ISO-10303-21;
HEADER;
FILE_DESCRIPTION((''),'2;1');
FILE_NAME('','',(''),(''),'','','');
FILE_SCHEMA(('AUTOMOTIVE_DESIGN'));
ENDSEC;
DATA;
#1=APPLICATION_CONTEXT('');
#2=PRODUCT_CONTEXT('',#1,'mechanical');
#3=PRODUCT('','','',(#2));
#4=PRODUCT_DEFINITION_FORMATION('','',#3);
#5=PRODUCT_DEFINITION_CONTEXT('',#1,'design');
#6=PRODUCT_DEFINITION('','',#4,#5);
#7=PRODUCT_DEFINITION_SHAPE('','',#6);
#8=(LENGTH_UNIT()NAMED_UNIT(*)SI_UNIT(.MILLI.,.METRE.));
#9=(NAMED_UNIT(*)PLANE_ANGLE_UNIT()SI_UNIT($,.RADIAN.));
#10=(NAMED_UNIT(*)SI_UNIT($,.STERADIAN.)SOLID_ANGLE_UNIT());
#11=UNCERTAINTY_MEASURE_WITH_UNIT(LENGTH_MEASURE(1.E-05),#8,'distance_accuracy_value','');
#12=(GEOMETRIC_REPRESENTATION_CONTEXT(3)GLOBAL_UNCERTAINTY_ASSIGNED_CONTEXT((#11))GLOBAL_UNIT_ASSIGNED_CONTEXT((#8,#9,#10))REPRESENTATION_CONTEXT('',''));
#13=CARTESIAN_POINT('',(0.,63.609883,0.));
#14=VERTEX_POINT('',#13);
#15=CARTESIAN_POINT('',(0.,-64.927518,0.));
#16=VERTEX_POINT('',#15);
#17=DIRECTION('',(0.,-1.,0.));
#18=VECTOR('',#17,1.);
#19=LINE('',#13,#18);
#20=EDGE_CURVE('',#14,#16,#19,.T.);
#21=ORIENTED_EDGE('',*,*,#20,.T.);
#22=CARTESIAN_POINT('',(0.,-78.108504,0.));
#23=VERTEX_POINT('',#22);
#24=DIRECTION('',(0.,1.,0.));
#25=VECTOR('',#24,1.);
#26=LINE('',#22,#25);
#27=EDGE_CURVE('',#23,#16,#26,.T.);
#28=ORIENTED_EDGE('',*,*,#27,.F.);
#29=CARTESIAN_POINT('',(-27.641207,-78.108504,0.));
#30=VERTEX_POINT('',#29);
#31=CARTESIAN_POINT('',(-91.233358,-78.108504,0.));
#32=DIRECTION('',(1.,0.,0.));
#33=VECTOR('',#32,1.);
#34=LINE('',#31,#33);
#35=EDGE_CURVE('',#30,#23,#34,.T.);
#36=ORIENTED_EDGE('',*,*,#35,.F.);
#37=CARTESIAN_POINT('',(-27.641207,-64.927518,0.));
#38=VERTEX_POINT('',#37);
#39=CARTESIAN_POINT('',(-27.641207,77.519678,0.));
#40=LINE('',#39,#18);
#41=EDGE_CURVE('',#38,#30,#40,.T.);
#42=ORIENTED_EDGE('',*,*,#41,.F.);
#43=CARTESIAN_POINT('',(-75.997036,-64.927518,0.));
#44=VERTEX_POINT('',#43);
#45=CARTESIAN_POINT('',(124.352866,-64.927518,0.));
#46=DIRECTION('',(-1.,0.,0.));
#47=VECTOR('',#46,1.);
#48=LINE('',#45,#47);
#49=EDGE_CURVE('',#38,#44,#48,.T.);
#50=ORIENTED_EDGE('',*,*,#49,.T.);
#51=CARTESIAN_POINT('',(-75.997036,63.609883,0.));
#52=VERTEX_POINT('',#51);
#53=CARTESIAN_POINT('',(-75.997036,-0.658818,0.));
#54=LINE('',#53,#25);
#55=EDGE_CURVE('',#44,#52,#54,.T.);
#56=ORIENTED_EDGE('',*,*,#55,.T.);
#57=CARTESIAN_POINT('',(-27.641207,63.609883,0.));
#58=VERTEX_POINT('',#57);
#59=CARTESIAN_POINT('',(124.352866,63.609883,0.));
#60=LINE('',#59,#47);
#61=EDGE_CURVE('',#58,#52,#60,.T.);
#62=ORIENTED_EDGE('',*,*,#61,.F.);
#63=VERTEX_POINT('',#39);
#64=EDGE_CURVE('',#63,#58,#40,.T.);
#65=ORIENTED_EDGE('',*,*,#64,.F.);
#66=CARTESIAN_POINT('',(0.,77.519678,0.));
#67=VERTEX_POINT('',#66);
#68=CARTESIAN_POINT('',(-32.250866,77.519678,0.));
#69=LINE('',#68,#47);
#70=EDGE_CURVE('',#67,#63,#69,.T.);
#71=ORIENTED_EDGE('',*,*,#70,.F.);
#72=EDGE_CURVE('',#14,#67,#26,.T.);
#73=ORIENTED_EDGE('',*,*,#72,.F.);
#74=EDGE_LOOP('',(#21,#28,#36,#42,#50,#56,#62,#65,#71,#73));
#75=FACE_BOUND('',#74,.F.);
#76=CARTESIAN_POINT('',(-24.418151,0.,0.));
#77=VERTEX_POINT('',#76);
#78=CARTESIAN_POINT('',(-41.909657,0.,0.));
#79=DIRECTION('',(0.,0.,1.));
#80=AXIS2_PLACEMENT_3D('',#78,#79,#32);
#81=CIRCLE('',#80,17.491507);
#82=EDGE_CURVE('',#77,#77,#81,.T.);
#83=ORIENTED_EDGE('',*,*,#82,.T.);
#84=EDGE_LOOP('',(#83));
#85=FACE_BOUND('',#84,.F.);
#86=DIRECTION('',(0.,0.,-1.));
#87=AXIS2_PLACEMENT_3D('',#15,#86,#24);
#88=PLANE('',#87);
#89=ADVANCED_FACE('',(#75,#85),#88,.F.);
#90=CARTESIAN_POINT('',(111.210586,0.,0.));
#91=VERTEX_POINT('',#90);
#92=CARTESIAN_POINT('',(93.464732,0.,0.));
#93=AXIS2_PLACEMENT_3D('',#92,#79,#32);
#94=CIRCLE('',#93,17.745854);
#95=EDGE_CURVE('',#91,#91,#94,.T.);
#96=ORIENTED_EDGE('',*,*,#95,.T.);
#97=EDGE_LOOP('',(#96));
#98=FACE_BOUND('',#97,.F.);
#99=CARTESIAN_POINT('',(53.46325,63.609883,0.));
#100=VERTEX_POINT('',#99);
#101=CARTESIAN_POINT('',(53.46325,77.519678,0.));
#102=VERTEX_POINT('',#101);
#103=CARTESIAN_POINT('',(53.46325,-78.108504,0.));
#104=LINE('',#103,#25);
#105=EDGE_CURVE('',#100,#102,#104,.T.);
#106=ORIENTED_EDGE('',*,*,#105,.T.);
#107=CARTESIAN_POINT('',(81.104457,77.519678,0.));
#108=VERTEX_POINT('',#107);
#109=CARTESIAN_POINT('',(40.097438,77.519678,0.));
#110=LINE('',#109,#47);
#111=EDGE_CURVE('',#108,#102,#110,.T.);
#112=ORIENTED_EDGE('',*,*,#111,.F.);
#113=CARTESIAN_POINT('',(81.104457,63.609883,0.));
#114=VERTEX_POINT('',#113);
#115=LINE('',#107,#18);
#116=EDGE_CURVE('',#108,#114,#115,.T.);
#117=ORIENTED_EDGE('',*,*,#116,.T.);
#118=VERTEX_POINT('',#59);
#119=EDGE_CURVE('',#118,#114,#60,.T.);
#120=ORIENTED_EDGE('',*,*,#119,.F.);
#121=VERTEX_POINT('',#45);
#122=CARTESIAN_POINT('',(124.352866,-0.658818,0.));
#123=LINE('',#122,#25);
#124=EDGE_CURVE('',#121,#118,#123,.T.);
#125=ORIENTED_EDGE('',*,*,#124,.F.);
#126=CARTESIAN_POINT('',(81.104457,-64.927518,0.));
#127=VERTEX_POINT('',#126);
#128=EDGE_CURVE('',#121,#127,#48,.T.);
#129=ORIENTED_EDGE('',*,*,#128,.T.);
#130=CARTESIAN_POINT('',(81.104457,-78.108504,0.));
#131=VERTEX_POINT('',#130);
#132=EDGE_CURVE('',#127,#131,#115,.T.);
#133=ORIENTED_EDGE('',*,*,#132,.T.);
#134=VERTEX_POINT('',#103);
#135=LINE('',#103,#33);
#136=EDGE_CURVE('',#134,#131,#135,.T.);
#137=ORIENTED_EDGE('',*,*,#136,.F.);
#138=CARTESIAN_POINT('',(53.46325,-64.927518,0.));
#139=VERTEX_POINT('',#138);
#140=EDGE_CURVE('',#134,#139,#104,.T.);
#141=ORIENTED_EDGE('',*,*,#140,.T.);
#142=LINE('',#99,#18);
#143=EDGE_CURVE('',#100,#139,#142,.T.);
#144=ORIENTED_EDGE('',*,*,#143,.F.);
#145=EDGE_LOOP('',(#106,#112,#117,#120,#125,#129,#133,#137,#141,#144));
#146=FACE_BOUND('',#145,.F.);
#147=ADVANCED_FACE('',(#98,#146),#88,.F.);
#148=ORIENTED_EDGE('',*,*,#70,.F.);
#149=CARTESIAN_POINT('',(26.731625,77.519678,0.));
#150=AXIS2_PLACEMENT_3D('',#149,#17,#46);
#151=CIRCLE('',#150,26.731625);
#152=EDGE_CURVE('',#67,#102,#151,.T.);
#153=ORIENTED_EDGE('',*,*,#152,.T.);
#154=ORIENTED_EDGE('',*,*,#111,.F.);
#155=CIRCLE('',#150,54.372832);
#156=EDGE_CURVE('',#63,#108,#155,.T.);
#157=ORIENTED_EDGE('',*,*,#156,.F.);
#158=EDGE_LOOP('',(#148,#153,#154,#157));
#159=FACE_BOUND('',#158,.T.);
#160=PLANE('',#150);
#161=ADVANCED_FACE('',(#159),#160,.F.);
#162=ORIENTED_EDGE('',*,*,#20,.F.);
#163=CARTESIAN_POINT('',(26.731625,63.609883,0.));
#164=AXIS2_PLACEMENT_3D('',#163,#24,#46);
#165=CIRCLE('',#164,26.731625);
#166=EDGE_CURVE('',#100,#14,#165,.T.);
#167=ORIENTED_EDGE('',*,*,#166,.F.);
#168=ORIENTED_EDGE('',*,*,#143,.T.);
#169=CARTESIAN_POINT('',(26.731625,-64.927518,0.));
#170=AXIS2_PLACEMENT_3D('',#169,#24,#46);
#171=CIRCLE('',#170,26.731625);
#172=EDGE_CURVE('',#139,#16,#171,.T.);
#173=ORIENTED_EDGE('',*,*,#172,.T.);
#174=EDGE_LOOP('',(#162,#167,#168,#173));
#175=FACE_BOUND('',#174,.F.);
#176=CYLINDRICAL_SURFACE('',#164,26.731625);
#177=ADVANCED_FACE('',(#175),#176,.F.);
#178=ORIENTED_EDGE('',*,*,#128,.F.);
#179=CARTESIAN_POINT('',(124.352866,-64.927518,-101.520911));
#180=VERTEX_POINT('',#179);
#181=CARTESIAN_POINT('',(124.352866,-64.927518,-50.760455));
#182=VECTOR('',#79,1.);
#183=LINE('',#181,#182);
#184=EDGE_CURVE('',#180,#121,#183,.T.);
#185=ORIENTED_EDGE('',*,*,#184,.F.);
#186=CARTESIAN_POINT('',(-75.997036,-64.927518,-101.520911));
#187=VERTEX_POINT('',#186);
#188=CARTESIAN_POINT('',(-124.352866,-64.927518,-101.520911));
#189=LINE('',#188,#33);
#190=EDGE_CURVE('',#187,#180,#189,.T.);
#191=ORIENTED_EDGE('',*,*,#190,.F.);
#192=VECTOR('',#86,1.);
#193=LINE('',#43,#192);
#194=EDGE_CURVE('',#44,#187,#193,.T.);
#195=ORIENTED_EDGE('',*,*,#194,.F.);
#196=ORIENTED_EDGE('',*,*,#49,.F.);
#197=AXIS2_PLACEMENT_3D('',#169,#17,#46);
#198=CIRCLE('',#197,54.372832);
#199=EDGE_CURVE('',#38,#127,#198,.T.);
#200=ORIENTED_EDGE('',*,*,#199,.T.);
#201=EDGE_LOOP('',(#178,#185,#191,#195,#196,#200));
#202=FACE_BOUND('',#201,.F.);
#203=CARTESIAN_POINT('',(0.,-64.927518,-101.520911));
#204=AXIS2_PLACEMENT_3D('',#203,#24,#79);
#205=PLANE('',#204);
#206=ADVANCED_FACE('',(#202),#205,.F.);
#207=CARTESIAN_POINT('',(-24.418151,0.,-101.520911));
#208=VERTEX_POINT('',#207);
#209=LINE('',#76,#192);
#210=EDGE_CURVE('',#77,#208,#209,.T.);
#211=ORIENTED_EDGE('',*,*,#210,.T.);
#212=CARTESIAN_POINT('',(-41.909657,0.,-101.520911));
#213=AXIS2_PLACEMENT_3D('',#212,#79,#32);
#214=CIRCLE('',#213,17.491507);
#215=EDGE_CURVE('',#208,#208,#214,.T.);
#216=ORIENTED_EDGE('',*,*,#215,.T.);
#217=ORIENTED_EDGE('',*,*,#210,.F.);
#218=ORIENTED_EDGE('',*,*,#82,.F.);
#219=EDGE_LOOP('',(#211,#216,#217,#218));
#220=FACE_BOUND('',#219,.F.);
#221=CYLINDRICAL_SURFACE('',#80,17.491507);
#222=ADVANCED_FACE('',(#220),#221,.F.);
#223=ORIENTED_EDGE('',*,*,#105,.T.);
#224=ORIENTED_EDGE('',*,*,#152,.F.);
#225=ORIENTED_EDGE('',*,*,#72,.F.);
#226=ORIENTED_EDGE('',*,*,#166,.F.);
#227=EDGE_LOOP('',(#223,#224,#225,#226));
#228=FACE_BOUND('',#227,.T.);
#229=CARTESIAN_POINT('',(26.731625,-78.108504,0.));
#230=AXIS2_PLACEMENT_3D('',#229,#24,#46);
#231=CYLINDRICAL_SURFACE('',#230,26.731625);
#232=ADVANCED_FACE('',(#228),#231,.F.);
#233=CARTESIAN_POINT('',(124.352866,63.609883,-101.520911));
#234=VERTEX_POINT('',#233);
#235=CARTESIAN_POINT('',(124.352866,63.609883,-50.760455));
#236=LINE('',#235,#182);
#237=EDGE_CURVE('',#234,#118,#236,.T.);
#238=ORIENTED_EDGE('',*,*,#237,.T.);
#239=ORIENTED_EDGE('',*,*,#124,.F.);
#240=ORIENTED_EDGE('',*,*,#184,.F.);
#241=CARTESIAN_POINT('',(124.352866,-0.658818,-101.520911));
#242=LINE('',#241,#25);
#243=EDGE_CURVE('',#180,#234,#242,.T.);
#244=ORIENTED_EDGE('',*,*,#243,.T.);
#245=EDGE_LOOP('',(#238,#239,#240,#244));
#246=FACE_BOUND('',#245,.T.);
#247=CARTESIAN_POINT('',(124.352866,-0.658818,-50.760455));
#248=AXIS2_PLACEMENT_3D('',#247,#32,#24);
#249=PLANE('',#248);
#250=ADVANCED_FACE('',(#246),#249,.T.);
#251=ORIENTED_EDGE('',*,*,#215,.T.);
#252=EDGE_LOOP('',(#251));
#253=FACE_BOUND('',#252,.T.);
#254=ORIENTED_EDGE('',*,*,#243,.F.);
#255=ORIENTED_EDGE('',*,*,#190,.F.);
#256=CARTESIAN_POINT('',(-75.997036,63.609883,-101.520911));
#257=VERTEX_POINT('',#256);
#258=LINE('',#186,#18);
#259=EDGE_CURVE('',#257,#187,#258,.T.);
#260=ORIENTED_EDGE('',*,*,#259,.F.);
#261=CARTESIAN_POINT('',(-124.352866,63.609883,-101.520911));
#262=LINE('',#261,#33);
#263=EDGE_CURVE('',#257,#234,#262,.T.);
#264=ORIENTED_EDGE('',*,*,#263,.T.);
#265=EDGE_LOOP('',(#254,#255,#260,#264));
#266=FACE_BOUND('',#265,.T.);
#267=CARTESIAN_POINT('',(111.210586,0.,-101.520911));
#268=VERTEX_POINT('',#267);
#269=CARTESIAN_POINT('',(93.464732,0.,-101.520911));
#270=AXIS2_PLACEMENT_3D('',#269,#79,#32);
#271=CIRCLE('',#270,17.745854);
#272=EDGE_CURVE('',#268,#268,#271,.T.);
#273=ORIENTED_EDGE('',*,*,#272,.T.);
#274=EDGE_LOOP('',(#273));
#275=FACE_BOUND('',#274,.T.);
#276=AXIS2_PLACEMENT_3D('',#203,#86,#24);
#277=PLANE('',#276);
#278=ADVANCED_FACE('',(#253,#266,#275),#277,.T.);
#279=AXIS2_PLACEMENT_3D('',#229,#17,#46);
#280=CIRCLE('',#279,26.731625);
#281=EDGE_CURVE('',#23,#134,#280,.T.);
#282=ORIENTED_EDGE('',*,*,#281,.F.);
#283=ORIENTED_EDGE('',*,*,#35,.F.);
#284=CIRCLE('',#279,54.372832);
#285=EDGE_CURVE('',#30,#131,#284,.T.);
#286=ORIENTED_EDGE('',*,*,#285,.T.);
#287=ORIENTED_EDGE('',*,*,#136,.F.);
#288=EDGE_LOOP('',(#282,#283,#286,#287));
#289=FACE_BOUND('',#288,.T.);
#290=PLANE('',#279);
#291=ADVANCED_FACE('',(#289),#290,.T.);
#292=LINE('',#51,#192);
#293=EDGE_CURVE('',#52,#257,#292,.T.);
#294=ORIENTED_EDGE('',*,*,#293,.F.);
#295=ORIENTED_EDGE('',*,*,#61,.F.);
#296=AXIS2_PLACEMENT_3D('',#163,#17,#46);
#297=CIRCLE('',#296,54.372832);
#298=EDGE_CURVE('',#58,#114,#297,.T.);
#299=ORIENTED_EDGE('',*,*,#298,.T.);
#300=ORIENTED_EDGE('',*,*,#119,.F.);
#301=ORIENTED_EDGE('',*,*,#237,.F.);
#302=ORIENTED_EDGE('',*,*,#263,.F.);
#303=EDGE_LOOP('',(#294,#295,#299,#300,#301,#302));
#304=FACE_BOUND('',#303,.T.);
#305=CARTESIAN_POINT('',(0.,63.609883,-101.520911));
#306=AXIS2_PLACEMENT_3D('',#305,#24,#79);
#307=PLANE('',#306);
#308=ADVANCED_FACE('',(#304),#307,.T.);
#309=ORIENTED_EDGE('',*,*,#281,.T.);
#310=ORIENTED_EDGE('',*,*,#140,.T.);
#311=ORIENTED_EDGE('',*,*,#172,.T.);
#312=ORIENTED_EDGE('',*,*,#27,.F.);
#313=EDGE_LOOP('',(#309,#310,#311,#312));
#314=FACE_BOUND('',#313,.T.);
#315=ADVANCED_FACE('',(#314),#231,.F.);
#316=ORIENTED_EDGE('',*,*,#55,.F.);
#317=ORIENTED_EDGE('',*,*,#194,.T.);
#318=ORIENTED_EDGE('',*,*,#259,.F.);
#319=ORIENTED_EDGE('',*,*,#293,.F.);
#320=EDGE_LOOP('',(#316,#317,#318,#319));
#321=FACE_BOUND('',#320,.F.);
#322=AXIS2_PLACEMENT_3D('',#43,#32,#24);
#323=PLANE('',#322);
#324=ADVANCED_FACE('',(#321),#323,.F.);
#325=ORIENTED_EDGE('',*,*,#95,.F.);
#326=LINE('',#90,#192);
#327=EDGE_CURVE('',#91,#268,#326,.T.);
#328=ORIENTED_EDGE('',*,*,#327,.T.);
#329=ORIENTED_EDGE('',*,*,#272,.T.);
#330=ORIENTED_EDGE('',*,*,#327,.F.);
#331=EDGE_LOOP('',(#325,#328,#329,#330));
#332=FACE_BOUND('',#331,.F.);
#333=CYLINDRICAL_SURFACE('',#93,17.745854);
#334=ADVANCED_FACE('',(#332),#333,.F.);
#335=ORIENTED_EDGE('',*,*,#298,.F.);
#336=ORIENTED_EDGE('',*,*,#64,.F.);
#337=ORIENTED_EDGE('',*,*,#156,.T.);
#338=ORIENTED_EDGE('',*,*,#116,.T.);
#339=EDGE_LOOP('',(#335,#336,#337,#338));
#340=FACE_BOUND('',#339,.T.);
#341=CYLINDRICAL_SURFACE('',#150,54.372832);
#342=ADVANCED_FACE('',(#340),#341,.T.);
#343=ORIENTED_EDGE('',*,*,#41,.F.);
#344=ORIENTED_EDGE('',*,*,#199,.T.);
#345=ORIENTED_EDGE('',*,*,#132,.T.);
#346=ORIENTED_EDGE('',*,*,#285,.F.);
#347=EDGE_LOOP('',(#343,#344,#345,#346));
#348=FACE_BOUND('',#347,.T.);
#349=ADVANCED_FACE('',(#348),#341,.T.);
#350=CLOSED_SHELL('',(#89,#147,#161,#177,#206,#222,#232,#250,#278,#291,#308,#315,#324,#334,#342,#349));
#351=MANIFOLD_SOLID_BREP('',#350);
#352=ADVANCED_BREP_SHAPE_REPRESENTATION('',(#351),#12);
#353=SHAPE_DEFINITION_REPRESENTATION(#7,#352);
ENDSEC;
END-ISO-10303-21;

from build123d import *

# Parameters (mm, degrees)
F9_W      = 43.2008653879
F9_H      = 75.3829777241
F9_R      = 14.3386602655
F2_DEPTH  = 155.629181994
F3_W      = 128.537401557
F3_H      = 101.5209108591
F4_DEPTH  = 124.3528658524
F5_W      = 48.3558294363
F5_H      = 128.537401557
F11_DEPTH = 101.5219108591
F6_DEPTH  = 141.7193876038
F7_R      = 17.7458538463
F7_R_2    = 17.4915066441
F8_DEPTH  = 101.5219108591


with BuildPart() as f0:
    # F9 (on Top) → F0 (revolve)
    with BuildSketch(Plane.XY):
        Polygon((-27.6412069798, 37.691488862), (-27.6412069798, -37.691488862), (-27.6412069798, -78.1085044146), (0, -78.1085044146), (0, 77.5196775794), (-27.6412069798, 77.5196775794), align=None)
        with Locations((-49.2416396737, 0)):
            Rectangle(F9_W, F9_H)
        with Locations((-49.2416396737, 0)):
            Circle(F9_R, mode=Mode.SUBTRACT)
    revolve(axis=Axis((26.7316251993, -0.5888938904, 0), (0, -1, 0)))

    # F1 (on face) → F2 (cut, through all)
    with BuildSketch(Plane.XZ.offset(78.1085044146)):
        with BuildLine():
            ThreePointArc((0, 0), (26.7316251993, 26.7316251993), (53.4632503986, 0))
            Line((53.4632503986, 0), (81.1044573784, 0))
            ThreePointArc((81.1044573784, 0), (26.7316251993, 54.3728321791), (-27.6412069798, 0))
            Line((-27.6412069798, 0), (0, 0))
        make_face()
        with BuildLine():
            ThreePointArc((-27.6412069798, 0), (26.7316251993, 54.3728321791), (81.1044573784, 0))
            Line((81.1044573784, 0), (155.7151675224, 0))
            Line((155.7151675224, 0), (155.7151675224, 112.1997013688))
            Line((155.7151675224, 112.1997013688), (-91.2333577871, 112.1997013688))
            Line((-91.2333577871, 112.1997013688), (-91.2333577871, 0))
            Line((-91.2333577871, 0), (-27.6412069798, 0))
        make_face()
    extrude(amount=-F2_DEPTH, mode=Mode.SUBTRACT)

    # F3 (on Right) → F4 (join, symmetric)
    with BuildSketch(Plane.YZ):
        with Locations((-0.6588175893, -50.7604554296)):
            Rectangle(F3_W, F3_H)
    extrude(amount=F4_DEPTH, both=True)

    # F5 (on face) → F11 (cut, through all)
    with BuildSketch(Plane.XY):
        with Locations((-100.1749511342, -0.6588175893)):
            Rectangle(F5_W, F5_H)
    extrude(amount=-F11_DEPTH, mode=Mode.SUBTRACT)

    # F6 (cut, through all): a face of the model
    f6_faces = [f0.faces().sort_by_distance(p)[0] for p in [
        (26.7316251993, 63.6098831892, -11.3452540996),
    ]]
    extrude(f6_faces, amount=-F6_DEPTH, mode=Mode.SUBTRACT)

    # F7 (on face) → F8 (cut, through all)
    with BuildSketch(Plane.XY):
        with Locations((93.4647321701, 0)):
            Circle(F7_R)
        with Locations((-41.9096574187, 0)):
            Circle(F7_R_2)
    extrude(amount=-F8_DEPTH, mode=Mode.SUBTRACT)


solid = f0.part
